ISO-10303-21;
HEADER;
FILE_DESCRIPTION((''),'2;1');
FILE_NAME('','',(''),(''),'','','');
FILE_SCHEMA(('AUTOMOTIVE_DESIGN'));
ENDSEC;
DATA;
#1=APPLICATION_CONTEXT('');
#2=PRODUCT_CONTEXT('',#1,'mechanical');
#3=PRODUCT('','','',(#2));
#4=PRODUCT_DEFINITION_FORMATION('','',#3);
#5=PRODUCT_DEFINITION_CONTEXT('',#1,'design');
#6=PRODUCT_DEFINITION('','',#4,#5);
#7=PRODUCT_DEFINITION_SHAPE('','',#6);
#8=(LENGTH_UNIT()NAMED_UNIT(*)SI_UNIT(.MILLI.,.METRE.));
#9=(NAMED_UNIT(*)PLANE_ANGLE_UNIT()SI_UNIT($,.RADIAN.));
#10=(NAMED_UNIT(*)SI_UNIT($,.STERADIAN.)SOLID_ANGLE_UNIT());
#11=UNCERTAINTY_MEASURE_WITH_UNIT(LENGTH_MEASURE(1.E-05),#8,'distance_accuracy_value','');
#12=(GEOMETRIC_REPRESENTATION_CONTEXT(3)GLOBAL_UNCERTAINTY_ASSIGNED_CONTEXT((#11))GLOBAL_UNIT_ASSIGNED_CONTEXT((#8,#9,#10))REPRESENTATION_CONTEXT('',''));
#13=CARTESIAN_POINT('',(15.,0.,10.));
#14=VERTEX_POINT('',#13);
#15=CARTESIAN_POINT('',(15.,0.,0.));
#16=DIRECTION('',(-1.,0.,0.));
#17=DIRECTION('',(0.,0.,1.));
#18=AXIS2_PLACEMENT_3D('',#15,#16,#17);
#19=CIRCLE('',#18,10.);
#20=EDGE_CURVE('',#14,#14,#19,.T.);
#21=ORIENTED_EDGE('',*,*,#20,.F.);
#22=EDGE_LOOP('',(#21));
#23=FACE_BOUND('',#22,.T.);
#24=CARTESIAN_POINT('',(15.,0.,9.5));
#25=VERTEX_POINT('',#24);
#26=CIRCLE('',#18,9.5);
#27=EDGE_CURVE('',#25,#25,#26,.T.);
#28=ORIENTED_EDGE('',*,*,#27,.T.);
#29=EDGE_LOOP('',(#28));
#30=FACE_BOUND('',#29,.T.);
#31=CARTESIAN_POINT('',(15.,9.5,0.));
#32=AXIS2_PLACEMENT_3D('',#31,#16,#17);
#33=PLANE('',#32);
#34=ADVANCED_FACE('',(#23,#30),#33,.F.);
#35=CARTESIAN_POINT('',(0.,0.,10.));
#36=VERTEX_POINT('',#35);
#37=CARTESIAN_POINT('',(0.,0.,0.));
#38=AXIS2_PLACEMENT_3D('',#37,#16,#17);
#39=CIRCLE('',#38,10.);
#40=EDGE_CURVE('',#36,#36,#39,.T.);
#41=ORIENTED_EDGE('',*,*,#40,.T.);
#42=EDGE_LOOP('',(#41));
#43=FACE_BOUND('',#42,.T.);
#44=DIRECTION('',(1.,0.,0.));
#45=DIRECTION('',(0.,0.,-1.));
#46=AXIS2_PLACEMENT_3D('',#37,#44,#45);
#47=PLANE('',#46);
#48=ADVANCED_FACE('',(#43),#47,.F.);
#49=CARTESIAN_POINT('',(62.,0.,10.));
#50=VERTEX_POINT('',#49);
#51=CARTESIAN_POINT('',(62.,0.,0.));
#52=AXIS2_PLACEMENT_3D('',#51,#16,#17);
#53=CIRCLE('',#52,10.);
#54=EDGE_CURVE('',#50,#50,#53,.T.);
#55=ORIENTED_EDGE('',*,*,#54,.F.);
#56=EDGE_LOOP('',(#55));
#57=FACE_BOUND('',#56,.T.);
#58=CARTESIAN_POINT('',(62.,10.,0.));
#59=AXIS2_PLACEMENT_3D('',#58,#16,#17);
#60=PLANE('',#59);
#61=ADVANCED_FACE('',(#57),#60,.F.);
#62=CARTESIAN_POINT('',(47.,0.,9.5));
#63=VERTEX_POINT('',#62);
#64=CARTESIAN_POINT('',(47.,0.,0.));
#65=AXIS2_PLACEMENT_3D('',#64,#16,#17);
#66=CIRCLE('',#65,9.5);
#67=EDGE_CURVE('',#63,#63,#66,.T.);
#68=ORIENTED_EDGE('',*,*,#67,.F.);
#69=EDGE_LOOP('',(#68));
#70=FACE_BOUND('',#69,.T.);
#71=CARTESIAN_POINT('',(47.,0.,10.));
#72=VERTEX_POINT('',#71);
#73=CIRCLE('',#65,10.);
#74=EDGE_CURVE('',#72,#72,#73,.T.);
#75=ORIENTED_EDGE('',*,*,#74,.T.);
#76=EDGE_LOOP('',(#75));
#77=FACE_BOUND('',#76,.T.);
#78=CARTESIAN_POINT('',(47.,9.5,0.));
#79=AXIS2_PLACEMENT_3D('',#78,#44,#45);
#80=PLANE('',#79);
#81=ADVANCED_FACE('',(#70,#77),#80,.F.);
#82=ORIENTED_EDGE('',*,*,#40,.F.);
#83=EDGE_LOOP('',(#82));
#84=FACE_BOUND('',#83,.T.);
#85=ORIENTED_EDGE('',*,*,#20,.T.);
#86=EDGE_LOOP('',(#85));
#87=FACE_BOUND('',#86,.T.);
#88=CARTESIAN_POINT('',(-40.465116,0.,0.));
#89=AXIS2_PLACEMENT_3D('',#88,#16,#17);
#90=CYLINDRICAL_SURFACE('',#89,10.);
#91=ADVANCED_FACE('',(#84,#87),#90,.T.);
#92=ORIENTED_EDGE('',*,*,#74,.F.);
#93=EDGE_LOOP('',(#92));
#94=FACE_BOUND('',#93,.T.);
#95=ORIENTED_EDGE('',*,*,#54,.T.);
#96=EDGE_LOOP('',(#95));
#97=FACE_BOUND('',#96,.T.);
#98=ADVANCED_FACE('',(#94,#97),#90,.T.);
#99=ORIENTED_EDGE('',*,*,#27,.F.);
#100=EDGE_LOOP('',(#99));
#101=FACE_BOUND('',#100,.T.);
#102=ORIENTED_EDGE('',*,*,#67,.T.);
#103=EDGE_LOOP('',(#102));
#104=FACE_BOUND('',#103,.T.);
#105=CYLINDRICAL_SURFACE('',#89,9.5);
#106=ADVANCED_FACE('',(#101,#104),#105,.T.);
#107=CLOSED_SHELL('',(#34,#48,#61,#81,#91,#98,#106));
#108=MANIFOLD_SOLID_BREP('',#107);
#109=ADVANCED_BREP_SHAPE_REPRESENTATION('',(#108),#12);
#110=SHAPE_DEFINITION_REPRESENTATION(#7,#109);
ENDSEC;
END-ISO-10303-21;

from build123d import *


with BuildPart() as part:
    # 草图1 → 旋转1 (revolve)
    with BuildSketch(Plane.XY):
        Polygon((0, 0), (0, 10), (15, 10), (15, 9.5), (47, 9.5), (47, 10), (62, 10), (62, 0), align=None)
    revolve(axis=Axis((-40.465116279, 0, 0), (1, 0, 0)))


solid = part.part
